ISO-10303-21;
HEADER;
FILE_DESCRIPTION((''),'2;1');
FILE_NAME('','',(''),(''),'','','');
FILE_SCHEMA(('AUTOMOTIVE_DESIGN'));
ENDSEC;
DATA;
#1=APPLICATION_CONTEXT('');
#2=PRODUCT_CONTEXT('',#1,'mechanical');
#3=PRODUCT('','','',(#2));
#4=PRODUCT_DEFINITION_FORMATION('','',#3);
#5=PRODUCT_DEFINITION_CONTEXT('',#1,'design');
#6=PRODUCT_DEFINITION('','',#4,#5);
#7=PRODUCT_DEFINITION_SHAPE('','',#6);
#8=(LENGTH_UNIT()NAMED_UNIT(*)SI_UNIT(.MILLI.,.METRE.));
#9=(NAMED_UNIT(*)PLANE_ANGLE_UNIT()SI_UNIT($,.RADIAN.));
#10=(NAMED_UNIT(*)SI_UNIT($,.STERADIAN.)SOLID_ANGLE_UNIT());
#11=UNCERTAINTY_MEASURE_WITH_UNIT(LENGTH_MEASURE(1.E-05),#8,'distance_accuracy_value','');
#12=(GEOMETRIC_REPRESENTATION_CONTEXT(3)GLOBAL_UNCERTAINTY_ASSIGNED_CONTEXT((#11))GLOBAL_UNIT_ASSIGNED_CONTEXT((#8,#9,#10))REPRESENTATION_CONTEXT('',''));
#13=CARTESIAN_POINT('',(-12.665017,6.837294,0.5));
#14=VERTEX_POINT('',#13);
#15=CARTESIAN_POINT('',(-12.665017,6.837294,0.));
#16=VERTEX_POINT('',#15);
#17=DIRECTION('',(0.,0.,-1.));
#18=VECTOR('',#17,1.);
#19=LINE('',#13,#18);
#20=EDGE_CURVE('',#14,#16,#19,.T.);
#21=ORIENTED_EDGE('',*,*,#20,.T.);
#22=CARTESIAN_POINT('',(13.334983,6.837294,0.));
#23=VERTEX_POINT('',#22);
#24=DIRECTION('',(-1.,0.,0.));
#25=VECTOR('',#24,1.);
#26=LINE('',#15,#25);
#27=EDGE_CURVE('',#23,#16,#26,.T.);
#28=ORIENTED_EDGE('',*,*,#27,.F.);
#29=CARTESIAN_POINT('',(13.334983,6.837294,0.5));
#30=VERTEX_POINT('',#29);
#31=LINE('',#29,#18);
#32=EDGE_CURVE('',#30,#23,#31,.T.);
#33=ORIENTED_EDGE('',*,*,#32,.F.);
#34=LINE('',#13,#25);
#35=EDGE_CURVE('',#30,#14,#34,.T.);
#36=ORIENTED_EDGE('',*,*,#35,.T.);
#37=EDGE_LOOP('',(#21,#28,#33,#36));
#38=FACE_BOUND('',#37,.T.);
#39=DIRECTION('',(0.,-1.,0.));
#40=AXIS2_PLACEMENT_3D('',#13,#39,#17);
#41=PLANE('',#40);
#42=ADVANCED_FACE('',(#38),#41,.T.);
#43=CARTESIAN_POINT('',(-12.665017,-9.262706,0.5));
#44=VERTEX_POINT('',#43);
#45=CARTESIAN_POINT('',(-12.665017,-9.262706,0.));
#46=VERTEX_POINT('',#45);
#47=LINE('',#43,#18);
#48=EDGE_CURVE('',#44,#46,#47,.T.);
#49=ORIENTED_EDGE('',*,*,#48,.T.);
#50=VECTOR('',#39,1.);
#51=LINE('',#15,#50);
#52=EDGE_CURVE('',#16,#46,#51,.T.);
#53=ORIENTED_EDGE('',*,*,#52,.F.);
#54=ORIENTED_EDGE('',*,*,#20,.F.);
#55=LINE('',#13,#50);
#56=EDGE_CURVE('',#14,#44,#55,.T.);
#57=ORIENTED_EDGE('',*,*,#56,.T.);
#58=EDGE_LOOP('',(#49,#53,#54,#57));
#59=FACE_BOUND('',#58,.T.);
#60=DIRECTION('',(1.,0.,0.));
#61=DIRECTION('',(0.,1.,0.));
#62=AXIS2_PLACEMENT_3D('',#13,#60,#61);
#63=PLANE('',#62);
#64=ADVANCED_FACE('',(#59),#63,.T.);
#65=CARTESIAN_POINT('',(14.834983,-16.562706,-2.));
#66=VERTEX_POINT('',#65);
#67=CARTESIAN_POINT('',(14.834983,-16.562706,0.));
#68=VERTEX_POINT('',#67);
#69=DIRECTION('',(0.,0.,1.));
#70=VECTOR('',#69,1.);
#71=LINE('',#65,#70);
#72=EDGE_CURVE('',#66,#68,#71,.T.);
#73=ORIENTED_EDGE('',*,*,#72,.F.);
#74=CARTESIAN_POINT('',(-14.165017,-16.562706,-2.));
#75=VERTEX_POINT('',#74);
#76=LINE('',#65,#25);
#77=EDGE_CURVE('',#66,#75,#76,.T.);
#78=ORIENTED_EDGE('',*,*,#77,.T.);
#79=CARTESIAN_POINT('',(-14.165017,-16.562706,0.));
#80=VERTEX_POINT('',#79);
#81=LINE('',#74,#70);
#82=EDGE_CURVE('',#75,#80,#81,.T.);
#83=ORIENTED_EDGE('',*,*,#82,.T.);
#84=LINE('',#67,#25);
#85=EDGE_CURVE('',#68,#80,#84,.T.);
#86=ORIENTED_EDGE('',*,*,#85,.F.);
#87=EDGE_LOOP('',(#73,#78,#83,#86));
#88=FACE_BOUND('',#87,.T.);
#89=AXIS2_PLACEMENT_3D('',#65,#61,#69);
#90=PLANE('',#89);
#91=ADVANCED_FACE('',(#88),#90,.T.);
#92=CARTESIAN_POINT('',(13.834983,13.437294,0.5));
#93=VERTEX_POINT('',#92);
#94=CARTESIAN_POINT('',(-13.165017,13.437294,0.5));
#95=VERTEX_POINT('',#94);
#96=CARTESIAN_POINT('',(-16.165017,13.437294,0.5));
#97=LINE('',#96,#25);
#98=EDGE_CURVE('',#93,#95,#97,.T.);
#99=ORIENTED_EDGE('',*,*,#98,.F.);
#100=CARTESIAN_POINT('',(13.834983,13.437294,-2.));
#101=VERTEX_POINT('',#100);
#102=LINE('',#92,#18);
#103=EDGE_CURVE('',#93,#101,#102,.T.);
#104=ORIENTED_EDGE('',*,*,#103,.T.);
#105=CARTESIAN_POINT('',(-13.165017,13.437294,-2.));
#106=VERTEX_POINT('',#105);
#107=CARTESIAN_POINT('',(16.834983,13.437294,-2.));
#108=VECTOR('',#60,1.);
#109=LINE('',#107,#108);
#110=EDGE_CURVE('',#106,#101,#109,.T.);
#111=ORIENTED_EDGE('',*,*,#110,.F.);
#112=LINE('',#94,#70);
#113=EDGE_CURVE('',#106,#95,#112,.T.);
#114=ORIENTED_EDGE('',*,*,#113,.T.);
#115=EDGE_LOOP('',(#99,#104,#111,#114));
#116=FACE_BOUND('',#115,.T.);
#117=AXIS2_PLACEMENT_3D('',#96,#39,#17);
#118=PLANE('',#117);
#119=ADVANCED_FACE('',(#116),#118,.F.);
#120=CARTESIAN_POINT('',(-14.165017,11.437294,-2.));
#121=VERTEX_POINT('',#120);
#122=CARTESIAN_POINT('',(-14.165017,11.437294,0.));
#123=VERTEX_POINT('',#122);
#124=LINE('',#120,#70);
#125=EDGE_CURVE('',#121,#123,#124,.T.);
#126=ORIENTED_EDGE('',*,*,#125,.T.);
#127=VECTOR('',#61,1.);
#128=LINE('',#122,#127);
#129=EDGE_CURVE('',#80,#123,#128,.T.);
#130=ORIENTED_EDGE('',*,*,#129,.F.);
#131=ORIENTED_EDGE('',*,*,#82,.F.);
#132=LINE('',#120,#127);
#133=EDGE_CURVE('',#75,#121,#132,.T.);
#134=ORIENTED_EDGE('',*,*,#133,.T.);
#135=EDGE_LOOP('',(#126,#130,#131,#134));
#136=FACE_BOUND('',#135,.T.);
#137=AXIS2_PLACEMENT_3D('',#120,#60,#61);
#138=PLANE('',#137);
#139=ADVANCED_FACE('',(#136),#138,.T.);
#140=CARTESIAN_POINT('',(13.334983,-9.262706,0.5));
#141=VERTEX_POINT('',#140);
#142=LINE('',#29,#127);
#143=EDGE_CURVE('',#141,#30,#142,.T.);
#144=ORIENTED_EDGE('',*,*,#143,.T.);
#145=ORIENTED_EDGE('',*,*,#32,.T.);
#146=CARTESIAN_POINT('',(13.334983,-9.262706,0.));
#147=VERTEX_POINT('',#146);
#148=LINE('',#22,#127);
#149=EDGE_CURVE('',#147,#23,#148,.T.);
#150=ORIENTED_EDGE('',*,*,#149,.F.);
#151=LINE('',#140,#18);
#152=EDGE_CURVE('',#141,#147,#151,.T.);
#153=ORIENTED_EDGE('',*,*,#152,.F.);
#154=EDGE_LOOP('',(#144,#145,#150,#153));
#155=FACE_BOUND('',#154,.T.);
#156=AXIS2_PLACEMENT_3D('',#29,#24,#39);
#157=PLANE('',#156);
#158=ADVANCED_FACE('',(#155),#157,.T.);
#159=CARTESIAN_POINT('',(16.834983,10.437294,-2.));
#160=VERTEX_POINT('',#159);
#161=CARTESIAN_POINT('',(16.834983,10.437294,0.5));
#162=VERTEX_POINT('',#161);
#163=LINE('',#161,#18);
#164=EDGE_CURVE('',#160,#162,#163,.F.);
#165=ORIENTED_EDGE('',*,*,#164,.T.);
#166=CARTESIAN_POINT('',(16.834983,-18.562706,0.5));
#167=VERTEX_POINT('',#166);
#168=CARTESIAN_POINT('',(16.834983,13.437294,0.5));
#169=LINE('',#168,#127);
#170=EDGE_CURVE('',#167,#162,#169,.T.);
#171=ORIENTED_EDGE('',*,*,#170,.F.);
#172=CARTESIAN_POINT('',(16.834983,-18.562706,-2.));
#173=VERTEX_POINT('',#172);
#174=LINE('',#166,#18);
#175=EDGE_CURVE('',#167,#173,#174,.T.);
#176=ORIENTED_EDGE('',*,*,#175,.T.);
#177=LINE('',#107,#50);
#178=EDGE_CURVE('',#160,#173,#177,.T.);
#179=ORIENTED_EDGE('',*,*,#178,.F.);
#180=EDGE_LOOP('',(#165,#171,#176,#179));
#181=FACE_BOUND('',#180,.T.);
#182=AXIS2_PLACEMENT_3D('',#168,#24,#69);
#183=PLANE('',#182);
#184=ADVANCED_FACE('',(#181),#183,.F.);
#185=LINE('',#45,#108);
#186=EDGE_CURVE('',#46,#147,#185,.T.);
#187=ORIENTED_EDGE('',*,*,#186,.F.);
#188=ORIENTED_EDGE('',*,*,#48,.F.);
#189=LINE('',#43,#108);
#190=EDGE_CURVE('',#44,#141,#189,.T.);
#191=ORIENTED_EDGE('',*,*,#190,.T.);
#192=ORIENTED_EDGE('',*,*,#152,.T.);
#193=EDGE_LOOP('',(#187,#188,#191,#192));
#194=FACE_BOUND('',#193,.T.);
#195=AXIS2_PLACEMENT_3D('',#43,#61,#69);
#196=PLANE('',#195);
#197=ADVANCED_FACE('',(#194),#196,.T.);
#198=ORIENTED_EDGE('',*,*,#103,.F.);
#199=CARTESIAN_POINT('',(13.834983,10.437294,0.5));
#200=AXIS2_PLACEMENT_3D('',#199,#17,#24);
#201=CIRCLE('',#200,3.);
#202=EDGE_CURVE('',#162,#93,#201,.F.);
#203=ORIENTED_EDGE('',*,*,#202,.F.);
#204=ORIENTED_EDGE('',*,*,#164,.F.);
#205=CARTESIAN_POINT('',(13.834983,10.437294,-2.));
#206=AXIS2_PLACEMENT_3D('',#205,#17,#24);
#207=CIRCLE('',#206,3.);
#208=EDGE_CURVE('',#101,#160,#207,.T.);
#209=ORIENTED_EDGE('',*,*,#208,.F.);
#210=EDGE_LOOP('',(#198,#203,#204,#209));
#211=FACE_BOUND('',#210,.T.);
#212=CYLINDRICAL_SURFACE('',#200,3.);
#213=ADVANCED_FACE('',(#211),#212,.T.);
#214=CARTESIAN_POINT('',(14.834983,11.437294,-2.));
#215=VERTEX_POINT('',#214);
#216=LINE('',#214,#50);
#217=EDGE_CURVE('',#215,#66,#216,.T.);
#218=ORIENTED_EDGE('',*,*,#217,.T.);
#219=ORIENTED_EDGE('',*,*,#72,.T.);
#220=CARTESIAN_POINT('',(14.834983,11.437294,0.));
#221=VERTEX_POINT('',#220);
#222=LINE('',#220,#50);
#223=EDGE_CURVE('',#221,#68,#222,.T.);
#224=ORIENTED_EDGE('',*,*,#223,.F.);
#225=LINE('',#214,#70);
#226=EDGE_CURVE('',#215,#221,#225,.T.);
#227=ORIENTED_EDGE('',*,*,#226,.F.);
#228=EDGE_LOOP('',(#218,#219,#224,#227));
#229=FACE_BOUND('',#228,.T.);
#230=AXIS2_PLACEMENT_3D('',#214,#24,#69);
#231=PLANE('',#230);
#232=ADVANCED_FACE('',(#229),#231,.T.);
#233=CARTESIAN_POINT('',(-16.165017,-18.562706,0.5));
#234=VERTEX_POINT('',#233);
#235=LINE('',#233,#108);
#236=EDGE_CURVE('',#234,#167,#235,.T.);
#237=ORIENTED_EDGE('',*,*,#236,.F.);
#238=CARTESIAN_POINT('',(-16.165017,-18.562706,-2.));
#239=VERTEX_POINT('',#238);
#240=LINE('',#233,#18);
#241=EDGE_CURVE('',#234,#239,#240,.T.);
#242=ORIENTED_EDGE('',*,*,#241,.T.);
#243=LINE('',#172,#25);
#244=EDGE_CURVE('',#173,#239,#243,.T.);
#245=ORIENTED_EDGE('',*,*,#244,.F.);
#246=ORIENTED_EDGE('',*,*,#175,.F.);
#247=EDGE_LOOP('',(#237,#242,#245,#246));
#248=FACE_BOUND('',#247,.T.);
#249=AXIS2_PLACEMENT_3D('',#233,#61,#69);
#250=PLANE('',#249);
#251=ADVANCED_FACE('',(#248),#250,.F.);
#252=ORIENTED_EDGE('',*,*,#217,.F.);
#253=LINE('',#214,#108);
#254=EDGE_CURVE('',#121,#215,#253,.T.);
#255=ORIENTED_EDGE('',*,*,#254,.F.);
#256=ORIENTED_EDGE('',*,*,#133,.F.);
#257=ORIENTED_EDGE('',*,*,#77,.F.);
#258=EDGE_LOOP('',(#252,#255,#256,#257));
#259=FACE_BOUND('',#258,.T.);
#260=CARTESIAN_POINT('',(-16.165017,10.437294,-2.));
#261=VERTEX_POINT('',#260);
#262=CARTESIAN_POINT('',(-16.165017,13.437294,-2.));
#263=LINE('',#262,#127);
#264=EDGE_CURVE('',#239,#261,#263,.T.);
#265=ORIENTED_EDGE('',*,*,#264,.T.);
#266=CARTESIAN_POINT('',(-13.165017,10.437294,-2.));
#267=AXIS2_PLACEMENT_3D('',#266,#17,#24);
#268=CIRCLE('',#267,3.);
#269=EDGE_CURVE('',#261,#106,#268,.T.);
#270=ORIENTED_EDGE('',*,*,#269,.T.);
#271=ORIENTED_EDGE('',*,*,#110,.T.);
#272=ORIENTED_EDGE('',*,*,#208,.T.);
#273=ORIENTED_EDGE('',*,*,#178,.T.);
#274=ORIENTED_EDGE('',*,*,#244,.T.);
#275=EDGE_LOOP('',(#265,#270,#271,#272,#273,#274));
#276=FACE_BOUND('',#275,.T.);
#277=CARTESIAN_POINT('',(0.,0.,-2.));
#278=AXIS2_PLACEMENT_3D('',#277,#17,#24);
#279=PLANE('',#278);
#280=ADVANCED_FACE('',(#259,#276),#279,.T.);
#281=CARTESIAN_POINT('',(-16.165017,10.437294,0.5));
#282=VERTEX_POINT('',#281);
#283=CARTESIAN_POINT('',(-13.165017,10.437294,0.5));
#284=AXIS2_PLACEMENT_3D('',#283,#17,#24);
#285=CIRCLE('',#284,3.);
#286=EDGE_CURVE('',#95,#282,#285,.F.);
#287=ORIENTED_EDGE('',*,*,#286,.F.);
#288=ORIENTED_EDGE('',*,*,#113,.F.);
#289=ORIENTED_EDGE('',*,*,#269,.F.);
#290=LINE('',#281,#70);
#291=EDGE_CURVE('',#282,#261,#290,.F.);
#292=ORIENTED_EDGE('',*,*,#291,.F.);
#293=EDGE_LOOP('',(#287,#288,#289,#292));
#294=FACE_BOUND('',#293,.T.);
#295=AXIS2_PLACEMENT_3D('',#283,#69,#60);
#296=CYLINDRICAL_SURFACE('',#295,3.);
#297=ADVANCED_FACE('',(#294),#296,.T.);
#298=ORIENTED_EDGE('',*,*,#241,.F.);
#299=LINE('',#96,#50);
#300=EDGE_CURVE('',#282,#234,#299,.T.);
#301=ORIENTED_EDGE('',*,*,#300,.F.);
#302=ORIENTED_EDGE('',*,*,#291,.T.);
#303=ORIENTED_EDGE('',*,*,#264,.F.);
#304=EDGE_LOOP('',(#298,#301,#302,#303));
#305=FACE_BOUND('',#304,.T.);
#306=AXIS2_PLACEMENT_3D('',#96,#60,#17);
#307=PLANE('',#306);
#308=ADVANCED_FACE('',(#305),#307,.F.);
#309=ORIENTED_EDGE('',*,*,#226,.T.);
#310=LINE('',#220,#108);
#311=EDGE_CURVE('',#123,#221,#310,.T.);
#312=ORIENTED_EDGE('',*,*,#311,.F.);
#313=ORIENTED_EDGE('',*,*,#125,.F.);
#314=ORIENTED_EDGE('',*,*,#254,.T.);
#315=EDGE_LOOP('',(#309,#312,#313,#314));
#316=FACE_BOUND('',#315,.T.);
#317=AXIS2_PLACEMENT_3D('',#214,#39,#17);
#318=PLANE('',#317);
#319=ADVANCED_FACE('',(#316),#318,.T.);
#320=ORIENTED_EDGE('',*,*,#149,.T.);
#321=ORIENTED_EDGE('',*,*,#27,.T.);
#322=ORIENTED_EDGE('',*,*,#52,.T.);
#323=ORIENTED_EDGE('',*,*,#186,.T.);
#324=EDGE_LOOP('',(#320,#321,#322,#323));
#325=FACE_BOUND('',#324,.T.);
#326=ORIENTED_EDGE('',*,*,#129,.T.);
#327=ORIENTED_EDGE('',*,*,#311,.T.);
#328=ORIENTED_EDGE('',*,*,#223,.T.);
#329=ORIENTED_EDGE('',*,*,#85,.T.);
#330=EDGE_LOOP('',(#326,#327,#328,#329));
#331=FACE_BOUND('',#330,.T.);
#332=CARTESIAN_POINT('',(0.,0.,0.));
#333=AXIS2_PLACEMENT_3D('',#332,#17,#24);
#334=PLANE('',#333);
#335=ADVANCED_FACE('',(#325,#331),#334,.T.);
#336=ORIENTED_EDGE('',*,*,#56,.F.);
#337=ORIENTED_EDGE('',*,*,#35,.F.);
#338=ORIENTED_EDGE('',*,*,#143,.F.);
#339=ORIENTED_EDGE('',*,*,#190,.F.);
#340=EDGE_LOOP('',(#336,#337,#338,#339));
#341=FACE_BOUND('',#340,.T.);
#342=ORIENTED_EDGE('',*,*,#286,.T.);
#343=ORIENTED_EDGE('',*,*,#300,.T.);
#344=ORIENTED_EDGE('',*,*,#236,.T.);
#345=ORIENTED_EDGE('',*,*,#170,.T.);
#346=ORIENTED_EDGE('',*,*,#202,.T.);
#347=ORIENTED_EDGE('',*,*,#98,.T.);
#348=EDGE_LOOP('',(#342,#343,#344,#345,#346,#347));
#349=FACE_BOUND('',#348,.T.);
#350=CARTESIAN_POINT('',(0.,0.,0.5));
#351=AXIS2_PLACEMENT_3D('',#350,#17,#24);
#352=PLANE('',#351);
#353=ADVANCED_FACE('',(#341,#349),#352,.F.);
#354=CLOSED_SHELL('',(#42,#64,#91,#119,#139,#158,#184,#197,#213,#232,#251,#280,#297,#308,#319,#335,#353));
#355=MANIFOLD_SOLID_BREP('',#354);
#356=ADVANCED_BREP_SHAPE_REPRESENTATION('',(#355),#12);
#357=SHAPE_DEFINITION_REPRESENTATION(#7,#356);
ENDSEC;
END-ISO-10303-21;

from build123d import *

# Parameters (mm, degrees)
SKETCH_1_W      = 33
SKETCH_1_H      = 32
SKETCH_1_W_2    = 26
SKETCH_1_H_2    = 16.1
EXTRUDE_1_DEPTH = 0.5
SKETCH_2_W      = 33
SKETCH_2_H      = 32
SKETCH_2_W_2    = 29
SKETCH_2_H_2    = 28
EXTRUDE_2_DEPTH = 2
FILLET_1_R      = 3
FILLET_2_R      = 3


with BuildPart() as part:
    # 草图1 → 凸台-拉伸1 (new body)
    with BuildSketch(Plane.XY):
        with Locations((0.334983498, -2.562706271)):
            Rectangle(SKETCH_1_W, SKETCH_1_H)
        with Locations((0.334983498, -1.212706271)):
            Rectangle(SKETCH_1_W_2, SKETCH_1_H_2, mode=Mode.SUBTRACT)
    extrude(amount=EXTRUDE_1_DEPTH)

    # 草图2 → 凸台-拉伸2 (add)
    with BuildSketch(Plane(origin=(0, 0, 0), x_dir=(-1, 0, 0), z_dir=(0, 0, -1))):
        with Locations((-0.334983498, -2.562706271)):
            Rectangle(SKETCH_2_W, SKETCH_2_H)
        with Locations((-0.334983498, -2.562706271)):
            Rectangle(SKETCH_2_W_2, SKETCH_2_H_2, mode=Mode.SUBTRACT)
    extrude(amount=EXTRUDE_2_DEPTH)

    # 圆角1
    fillet_1_edges = [part.edges().sort_by_distance(p)[0] for p in [
        (16.834983498, 13.437293729, -0.75),
    ]]
    fillet(fillet_1_edges, radius=FILLET_1_R)

    # 圆角2
    fillet_2_edges = [part.edges().sort_by_distance(p)[0] for p in [
        (-16.165016502, 13.437293729, -0.75),
    ]]
    fillet(fillet_2_edges, radius=FILLET_2_R)


solid = part.part
